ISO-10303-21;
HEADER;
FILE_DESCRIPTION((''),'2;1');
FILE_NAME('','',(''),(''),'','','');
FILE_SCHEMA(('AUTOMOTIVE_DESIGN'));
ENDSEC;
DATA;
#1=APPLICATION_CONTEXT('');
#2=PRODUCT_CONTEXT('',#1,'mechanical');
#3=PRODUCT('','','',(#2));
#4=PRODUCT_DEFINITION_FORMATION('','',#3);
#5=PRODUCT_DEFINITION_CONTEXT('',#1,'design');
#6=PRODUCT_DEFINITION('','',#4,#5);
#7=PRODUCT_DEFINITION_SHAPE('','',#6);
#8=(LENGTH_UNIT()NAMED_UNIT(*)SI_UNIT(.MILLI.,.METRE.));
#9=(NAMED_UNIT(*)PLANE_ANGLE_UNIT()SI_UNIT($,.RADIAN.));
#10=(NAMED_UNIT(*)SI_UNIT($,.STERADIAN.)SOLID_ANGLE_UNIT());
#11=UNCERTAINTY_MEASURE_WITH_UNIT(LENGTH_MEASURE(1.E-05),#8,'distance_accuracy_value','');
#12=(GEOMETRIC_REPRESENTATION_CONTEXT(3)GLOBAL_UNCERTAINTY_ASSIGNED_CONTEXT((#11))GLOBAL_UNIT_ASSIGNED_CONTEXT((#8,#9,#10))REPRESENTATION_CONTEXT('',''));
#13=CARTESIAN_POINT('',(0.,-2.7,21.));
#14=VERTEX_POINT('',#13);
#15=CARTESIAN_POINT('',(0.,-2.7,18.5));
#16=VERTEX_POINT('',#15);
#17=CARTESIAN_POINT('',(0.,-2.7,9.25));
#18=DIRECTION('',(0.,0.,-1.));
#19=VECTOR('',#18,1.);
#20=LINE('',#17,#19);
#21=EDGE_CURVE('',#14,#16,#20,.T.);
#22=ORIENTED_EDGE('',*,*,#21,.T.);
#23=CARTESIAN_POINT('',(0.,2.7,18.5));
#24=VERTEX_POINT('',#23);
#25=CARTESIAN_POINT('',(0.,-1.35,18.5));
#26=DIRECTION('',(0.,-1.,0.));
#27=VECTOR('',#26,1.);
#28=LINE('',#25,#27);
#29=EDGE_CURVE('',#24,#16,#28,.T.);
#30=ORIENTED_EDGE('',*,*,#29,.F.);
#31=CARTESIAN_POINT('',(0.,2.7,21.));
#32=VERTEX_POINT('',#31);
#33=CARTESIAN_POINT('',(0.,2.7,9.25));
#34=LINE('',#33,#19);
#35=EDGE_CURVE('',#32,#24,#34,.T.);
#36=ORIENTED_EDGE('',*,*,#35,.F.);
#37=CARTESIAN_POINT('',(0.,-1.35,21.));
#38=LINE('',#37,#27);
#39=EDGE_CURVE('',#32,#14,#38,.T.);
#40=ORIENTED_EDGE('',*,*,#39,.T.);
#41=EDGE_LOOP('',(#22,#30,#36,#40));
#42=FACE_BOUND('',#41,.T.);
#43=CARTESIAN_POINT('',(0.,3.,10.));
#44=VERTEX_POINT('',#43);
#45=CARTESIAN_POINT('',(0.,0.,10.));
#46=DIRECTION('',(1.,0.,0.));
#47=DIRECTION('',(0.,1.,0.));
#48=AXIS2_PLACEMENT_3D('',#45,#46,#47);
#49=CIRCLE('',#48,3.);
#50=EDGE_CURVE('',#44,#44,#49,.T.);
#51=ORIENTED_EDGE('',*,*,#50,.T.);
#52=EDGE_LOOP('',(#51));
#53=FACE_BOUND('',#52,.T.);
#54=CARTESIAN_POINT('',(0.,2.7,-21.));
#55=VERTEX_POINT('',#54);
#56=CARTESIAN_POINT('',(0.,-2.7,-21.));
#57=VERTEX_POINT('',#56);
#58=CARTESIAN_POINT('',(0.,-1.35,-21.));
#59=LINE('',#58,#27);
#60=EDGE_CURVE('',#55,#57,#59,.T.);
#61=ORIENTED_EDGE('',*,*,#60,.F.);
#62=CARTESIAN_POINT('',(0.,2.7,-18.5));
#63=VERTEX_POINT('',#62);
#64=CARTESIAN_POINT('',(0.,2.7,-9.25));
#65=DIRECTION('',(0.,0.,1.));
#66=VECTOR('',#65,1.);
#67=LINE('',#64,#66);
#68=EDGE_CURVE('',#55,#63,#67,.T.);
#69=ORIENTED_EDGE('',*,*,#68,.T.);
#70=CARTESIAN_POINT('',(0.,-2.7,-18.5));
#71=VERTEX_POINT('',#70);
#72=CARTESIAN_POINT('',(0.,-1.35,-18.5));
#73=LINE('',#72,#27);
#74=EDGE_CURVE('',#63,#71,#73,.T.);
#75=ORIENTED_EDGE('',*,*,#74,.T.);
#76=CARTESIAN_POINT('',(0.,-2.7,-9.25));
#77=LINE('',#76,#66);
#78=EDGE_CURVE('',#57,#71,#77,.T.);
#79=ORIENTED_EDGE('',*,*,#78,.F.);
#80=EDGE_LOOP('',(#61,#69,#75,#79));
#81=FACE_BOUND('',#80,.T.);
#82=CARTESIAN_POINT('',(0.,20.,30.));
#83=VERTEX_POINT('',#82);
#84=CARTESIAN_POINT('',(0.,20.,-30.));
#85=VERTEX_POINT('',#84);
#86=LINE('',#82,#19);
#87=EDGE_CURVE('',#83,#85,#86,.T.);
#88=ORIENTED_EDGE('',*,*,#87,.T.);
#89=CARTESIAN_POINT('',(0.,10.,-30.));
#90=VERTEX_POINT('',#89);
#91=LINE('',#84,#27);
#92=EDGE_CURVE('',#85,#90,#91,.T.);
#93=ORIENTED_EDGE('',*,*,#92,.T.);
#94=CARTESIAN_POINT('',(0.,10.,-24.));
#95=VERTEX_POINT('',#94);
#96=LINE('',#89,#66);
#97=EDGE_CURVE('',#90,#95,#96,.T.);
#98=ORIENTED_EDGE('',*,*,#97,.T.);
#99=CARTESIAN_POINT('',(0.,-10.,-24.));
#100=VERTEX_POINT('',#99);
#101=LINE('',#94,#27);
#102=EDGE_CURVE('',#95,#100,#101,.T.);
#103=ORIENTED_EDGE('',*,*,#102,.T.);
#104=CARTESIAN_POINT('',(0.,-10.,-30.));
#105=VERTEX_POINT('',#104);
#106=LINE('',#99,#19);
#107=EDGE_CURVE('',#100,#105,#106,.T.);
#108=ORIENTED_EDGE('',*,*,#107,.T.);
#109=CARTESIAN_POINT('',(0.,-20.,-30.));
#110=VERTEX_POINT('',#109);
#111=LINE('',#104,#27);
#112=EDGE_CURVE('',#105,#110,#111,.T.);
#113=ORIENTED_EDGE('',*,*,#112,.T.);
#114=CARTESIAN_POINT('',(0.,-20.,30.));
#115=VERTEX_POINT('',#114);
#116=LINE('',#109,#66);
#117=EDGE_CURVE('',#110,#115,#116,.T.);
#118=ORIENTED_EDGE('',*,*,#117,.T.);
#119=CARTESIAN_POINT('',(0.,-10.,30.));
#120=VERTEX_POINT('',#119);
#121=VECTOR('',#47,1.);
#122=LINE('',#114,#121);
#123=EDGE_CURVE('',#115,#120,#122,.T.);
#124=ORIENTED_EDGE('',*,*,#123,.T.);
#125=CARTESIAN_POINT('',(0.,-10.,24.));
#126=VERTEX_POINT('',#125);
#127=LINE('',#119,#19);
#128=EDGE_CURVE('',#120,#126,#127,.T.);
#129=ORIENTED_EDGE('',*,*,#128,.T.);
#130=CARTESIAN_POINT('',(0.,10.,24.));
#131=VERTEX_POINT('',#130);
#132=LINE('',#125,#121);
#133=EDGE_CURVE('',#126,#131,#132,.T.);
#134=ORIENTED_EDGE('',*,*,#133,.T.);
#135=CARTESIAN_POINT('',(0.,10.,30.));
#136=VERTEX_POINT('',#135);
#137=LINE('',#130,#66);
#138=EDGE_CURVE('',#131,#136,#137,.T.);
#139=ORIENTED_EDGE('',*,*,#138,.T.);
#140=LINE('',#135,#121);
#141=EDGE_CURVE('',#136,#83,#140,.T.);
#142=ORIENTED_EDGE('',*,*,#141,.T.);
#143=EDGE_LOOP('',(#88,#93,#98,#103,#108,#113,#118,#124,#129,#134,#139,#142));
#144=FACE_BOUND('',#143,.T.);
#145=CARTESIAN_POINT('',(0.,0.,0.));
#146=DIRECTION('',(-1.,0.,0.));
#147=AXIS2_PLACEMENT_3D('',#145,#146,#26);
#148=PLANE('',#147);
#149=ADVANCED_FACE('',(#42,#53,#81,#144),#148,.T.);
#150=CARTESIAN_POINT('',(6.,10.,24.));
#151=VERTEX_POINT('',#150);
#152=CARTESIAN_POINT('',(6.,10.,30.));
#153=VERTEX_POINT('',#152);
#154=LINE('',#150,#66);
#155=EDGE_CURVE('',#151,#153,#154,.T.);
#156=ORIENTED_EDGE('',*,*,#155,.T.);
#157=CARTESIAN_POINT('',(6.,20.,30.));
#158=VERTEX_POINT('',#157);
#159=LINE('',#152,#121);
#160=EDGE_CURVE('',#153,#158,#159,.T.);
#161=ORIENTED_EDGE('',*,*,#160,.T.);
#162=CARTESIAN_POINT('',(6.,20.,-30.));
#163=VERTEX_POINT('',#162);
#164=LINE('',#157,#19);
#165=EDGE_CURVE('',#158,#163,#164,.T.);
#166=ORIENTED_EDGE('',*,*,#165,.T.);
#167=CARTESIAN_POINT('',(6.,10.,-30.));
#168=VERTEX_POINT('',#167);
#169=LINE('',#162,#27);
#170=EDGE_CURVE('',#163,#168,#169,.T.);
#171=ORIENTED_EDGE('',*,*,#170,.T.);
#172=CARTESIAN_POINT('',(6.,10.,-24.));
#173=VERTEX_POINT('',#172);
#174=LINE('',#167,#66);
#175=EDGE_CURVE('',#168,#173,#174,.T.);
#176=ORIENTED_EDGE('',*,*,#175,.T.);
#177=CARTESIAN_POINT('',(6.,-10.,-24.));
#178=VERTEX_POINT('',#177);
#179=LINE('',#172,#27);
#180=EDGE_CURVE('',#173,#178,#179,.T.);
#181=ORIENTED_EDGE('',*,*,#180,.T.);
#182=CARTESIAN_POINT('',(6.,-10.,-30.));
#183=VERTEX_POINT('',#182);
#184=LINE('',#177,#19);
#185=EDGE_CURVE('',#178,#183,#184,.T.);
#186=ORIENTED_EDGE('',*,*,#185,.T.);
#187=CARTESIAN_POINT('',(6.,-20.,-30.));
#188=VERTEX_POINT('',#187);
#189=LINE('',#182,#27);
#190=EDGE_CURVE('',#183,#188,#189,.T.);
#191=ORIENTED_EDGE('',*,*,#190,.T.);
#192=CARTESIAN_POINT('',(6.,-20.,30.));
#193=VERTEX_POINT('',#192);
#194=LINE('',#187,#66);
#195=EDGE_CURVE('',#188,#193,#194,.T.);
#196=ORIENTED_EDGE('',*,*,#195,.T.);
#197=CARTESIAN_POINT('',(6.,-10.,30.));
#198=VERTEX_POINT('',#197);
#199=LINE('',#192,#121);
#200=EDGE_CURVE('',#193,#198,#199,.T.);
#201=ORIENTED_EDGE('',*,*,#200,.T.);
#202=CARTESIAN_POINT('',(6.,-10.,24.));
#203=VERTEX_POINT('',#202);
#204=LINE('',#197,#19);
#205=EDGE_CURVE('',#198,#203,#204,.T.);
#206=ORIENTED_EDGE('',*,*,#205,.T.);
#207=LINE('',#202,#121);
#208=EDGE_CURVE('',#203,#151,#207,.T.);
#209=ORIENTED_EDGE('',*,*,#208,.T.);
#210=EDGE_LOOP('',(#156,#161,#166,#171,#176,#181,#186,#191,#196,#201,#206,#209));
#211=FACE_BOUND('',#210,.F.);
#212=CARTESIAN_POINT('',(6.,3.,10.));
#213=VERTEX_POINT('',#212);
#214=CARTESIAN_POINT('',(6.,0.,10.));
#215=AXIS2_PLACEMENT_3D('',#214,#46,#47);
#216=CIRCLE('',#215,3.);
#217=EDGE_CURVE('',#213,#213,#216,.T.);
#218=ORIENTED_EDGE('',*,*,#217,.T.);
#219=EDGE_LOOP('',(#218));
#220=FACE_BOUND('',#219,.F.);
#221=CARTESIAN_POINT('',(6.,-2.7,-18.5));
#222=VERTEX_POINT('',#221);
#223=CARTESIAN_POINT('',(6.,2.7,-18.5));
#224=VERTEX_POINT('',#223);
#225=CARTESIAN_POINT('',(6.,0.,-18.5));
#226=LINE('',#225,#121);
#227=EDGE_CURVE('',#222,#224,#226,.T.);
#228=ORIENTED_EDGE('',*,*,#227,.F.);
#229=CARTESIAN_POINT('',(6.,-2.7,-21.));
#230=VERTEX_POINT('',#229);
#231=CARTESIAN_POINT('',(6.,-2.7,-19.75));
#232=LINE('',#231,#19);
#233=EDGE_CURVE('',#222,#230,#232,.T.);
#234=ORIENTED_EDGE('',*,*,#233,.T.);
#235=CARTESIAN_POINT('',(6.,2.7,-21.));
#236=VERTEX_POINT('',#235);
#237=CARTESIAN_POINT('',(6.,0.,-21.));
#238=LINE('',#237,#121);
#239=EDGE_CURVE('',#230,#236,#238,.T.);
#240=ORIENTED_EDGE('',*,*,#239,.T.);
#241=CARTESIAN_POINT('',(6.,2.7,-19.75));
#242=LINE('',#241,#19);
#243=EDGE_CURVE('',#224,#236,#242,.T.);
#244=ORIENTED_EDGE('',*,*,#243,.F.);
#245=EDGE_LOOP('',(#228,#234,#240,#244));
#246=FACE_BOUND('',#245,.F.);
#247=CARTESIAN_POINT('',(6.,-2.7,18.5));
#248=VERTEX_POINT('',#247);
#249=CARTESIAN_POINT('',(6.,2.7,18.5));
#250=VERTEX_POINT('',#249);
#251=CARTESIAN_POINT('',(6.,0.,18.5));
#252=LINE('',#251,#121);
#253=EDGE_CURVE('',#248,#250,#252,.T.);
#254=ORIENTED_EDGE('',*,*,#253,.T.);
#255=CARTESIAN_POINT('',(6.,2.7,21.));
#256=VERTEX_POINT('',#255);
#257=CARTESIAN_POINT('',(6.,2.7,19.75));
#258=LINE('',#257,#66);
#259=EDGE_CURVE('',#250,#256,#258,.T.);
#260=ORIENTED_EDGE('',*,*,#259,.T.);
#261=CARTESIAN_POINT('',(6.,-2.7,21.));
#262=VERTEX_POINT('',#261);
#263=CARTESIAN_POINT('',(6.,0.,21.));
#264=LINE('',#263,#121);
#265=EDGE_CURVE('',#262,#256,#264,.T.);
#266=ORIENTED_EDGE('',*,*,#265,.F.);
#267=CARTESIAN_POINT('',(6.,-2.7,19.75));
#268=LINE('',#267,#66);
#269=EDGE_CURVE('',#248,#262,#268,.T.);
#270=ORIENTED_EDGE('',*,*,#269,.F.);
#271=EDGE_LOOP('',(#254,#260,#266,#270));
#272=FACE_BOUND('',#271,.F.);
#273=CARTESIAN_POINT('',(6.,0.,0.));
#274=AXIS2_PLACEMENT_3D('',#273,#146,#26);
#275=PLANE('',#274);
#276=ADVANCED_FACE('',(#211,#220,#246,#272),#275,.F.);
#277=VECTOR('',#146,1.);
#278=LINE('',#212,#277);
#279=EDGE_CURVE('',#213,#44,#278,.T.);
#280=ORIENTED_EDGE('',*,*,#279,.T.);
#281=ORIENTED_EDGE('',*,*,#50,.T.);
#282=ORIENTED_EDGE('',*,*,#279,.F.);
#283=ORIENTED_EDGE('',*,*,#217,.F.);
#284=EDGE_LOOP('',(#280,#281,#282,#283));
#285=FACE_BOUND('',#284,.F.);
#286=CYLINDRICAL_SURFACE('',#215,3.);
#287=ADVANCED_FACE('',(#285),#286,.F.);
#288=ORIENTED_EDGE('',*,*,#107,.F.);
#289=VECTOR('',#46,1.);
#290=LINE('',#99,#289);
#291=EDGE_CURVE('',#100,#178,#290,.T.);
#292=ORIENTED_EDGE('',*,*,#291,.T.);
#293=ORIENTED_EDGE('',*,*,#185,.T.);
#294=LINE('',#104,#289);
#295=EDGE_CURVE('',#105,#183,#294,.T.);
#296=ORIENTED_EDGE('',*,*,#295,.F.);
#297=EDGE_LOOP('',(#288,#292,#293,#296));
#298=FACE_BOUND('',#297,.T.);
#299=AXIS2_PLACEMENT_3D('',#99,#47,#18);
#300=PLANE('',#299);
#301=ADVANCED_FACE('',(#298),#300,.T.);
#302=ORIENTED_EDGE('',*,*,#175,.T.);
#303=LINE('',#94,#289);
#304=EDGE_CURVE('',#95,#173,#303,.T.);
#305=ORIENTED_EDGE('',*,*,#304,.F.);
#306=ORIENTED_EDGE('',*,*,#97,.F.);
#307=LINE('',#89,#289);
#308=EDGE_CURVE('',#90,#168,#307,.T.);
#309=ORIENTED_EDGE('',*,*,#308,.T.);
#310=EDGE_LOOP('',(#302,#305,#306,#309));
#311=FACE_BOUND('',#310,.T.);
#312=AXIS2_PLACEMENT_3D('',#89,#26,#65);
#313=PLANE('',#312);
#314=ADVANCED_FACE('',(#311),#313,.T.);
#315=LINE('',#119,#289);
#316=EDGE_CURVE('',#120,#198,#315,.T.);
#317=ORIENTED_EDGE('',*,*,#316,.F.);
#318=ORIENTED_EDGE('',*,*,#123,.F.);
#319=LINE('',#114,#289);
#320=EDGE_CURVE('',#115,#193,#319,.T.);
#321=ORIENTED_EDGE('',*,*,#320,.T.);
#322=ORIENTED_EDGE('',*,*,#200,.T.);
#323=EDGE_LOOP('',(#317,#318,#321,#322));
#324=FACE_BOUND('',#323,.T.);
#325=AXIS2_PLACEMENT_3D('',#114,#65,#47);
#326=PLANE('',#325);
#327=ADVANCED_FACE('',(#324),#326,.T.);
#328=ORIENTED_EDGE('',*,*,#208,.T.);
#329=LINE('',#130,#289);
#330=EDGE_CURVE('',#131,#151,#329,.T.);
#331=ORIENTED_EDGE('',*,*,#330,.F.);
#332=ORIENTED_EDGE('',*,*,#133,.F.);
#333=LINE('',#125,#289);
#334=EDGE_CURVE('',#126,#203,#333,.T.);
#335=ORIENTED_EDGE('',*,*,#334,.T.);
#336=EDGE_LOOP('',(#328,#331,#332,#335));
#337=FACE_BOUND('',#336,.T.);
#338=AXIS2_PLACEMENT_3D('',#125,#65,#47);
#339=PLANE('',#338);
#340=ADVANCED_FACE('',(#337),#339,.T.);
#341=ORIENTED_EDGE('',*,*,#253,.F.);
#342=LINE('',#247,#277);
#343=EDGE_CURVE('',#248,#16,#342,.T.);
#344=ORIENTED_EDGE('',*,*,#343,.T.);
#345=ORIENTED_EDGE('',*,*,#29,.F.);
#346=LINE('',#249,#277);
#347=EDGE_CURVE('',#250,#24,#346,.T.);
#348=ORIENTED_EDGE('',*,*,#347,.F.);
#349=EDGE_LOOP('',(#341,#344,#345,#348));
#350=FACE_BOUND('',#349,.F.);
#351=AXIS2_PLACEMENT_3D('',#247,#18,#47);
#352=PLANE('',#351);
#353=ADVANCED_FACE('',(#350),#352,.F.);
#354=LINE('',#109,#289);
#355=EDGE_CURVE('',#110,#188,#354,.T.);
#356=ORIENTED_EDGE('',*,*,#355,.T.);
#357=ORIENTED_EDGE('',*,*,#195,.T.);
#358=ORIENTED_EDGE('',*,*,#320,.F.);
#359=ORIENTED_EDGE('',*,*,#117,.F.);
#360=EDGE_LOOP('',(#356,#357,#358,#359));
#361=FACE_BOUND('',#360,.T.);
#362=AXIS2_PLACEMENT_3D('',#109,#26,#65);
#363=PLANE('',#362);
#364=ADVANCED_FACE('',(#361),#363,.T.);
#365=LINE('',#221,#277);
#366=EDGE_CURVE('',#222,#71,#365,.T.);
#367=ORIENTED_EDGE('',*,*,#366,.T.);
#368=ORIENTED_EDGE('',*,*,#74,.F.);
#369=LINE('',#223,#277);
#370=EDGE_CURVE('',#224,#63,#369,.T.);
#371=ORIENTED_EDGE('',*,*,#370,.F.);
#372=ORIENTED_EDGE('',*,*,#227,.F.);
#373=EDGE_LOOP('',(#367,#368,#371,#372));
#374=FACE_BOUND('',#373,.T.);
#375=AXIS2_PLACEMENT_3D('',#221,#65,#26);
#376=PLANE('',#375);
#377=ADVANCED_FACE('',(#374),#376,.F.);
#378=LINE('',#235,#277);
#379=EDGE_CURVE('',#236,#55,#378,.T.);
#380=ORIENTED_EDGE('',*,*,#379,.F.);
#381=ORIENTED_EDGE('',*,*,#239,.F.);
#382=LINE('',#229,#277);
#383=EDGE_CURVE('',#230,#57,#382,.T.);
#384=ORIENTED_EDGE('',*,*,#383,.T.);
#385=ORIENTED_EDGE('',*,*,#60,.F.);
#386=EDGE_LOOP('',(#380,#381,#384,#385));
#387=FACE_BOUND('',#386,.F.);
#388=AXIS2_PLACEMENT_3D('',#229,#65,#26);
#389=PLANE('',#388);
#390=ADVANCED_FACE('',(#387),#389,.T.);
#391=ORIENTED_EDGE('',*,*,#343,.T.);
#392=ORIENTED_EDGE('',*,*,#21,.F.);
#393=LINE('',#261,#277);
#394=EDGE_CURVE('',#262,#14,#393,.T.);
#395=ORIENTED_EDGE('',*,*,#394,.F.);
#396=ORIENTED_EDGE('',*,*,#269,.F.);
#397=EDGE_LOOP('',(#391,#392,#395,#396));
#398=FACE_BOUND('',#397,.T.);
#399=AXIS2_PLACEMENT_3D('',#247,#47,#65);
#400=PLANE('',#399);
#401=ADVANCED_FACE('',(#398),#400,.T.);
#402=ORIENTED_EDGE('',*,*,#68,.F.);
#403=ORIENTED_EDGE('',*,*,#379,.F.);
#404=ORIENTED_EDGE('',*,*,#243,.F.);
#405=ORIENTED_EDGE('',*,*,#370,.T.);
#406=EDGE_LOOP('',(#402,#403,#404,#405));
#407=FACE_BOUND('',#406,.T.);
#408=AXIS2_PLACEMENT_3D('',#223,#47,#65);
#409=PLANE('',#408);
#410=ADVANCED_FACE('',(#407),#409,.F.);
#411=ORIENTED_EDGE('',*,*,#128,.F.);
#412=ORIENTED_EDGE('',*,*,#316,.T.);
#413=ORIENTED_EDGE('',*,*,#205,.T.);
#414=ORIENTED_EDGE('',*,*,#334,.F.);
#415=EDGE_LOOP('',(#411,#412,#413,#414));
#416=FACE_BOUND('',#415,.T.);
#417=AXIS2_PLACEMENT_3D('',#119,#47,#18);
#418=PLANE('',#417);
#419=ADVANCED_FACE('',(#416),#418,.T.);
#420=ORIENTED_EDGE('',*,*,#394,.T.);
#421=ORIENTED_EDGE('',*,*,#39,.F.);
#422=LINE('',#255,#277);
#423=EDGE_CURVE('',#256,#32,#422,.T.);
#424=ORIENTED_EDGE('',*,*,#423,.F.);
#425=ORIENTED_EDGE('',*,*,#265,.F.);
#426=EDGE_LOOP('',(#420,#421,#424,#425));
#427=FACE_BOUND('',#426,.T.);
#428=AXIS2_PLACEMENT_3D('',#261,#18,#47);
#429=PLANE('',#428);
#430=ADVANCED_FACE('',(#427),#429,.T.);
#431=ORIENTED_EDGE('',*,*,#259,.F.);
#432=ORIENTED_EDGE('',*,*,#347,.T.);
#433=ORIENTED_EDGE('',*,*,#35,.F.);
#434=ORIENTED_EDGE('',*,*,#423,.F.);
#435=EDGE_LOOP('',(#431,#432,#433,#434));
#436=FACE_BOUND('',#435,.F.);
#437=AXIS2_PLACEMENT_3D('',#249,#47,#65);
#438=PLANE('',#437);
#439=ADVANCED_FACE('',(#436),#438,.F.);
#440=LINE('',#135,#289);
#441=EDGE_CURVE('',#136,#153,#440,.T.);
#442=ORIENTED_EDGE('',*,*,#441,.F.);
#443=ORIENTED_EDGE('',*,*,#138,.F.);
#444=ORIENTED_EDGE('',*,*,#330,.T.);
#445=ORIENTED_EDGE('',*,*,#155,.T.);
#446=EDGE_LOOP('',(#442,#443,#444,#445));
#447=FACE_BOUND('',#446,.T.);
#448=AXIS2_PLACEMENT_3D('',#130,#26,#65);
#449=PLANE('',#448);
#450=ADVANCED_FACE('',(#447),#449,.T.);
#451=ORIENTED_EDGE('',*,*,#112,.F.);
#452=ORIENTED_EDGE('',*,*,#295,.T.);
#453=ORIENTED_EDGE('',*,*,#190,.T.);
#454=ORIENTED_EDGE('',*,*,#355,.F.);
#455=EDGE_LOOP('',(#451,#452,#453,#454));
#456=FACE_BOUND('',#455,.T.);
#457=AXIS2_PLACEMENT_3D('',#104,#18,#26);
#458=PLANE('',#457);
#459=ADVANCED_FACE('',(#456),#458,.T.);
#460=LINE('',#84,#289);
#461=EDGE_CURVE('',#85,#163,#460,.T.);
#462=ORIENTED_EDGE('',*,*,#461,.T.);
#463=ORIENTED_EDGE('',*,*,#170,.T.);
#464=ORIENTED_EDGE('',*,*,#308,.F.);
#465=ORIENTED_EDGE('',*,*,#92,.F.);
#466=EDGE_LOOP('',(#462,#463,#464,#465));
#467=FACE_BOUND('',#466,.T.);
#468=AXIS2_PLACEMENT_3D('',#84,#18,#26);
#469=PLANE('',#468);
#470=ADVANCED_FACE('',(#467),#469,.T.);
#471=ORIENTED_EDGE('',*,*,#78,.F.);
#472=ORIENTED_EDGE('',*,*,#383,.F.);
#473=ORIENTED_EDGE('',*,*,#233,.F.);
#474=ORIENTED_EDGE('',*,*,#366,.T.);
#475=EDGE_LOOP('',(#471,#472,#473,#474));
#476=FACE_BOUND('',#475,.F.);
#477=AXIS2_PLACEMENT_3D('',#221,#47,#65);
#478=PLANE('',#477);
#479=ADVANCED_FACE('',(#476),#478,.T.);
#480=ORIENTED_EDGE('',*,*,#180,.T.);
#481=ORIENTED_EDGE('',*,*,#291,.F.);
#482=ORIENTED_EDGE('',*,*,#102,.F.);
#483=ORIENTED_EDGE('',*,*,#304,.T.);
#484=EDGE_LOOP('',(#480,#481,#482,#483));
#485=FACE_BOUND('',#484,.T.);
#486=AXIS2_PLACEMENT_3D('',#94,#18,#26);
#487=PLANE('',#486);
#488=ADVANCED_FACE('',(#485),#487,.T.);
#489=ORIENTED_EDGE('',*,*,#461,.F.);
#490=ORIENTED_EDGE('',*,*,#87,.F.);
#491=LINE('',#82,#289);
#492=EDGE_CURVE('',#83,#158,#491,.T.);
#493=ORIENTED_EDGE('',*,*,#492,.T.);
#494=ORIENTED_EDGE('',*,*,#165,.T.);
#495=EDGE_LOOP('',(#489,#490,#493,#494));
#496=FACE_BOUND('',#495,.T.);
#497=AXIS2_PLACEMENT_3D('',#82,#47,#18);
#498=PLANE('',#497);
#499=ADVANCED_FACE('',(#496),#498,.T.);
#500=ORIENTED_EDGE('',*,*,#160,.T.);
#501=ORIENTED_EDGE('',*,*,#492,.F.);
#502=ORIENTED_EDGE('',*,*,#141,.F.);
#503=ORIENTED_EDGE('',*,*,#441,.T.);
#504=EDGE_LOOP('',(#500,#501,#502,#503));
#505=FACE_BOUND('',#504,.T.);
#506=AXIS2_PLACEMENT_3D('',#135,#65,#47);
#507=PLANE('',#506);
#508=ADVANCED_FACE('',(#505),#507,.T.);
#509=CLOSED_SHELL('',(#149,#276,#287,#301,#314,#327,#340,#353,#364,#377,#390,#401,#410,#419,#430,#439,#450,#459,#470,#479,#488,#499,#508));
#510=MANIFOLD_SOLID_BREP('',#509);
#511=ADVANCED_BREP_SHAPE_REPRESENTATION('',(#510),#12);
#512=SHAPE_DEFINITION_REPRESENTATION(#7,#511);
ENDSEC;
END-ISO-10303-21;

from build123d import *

# Parameters (mm, degrees)
PAD_DEPTH       = 6
SKETCH001_R     = 3
POCKET_DEPTH    = 6.001
SKETCH002_W     = 5.4
SKETCH002_H     = 2.5
POCKET001_DEPTH = 150.72142


with BuildPart() as part:
    # Sketch → Pad (new body)
    with BuildSketch(Plane.YZ):
        Polygon((-20, -30), (-20, 30), (-10, 30), (-10, 24), (10, 24), (10, 30), (20, 30), (20, -30), (10, -30), (10, -24), (-10, -24), (-10, -30), align=None)
    extrude(amount=PAD_DEPTH)

    # Sketch001 (on Face14 of Pad) → Pocket (cut, through all)
    with BuildSketch(Plane.YZ.offset(6)):
        with Locations((0, 10)):
            Circle(SKETCH001_R)
    extrude(amount=-POCKET_DEPTH, mode=Mode.SUBTRACT)

    # Sketch002 (on Face5 of Pocket) → Pocket001 (cut, through all)
    with BuildSketch(Plane.YZ.offset(6)):
        with Locations((0, 19.75)):
            Rectangle(SKETCH002_W, SKETCH002_H)
    pocket001 = extrude(amount=-POCKET001_DEPTH, mode=Mode.SUBTRACT)

    # Mirrored: Pocket001 across Sketch002 H_Axis
    add(pocket001.mirror(Plane(origin=(6, 0, 0), x_dir=(1, 0, 0), z_dir=(0, 0, 1))), mode=Mode.SUBTRACT)


solid = part.part
